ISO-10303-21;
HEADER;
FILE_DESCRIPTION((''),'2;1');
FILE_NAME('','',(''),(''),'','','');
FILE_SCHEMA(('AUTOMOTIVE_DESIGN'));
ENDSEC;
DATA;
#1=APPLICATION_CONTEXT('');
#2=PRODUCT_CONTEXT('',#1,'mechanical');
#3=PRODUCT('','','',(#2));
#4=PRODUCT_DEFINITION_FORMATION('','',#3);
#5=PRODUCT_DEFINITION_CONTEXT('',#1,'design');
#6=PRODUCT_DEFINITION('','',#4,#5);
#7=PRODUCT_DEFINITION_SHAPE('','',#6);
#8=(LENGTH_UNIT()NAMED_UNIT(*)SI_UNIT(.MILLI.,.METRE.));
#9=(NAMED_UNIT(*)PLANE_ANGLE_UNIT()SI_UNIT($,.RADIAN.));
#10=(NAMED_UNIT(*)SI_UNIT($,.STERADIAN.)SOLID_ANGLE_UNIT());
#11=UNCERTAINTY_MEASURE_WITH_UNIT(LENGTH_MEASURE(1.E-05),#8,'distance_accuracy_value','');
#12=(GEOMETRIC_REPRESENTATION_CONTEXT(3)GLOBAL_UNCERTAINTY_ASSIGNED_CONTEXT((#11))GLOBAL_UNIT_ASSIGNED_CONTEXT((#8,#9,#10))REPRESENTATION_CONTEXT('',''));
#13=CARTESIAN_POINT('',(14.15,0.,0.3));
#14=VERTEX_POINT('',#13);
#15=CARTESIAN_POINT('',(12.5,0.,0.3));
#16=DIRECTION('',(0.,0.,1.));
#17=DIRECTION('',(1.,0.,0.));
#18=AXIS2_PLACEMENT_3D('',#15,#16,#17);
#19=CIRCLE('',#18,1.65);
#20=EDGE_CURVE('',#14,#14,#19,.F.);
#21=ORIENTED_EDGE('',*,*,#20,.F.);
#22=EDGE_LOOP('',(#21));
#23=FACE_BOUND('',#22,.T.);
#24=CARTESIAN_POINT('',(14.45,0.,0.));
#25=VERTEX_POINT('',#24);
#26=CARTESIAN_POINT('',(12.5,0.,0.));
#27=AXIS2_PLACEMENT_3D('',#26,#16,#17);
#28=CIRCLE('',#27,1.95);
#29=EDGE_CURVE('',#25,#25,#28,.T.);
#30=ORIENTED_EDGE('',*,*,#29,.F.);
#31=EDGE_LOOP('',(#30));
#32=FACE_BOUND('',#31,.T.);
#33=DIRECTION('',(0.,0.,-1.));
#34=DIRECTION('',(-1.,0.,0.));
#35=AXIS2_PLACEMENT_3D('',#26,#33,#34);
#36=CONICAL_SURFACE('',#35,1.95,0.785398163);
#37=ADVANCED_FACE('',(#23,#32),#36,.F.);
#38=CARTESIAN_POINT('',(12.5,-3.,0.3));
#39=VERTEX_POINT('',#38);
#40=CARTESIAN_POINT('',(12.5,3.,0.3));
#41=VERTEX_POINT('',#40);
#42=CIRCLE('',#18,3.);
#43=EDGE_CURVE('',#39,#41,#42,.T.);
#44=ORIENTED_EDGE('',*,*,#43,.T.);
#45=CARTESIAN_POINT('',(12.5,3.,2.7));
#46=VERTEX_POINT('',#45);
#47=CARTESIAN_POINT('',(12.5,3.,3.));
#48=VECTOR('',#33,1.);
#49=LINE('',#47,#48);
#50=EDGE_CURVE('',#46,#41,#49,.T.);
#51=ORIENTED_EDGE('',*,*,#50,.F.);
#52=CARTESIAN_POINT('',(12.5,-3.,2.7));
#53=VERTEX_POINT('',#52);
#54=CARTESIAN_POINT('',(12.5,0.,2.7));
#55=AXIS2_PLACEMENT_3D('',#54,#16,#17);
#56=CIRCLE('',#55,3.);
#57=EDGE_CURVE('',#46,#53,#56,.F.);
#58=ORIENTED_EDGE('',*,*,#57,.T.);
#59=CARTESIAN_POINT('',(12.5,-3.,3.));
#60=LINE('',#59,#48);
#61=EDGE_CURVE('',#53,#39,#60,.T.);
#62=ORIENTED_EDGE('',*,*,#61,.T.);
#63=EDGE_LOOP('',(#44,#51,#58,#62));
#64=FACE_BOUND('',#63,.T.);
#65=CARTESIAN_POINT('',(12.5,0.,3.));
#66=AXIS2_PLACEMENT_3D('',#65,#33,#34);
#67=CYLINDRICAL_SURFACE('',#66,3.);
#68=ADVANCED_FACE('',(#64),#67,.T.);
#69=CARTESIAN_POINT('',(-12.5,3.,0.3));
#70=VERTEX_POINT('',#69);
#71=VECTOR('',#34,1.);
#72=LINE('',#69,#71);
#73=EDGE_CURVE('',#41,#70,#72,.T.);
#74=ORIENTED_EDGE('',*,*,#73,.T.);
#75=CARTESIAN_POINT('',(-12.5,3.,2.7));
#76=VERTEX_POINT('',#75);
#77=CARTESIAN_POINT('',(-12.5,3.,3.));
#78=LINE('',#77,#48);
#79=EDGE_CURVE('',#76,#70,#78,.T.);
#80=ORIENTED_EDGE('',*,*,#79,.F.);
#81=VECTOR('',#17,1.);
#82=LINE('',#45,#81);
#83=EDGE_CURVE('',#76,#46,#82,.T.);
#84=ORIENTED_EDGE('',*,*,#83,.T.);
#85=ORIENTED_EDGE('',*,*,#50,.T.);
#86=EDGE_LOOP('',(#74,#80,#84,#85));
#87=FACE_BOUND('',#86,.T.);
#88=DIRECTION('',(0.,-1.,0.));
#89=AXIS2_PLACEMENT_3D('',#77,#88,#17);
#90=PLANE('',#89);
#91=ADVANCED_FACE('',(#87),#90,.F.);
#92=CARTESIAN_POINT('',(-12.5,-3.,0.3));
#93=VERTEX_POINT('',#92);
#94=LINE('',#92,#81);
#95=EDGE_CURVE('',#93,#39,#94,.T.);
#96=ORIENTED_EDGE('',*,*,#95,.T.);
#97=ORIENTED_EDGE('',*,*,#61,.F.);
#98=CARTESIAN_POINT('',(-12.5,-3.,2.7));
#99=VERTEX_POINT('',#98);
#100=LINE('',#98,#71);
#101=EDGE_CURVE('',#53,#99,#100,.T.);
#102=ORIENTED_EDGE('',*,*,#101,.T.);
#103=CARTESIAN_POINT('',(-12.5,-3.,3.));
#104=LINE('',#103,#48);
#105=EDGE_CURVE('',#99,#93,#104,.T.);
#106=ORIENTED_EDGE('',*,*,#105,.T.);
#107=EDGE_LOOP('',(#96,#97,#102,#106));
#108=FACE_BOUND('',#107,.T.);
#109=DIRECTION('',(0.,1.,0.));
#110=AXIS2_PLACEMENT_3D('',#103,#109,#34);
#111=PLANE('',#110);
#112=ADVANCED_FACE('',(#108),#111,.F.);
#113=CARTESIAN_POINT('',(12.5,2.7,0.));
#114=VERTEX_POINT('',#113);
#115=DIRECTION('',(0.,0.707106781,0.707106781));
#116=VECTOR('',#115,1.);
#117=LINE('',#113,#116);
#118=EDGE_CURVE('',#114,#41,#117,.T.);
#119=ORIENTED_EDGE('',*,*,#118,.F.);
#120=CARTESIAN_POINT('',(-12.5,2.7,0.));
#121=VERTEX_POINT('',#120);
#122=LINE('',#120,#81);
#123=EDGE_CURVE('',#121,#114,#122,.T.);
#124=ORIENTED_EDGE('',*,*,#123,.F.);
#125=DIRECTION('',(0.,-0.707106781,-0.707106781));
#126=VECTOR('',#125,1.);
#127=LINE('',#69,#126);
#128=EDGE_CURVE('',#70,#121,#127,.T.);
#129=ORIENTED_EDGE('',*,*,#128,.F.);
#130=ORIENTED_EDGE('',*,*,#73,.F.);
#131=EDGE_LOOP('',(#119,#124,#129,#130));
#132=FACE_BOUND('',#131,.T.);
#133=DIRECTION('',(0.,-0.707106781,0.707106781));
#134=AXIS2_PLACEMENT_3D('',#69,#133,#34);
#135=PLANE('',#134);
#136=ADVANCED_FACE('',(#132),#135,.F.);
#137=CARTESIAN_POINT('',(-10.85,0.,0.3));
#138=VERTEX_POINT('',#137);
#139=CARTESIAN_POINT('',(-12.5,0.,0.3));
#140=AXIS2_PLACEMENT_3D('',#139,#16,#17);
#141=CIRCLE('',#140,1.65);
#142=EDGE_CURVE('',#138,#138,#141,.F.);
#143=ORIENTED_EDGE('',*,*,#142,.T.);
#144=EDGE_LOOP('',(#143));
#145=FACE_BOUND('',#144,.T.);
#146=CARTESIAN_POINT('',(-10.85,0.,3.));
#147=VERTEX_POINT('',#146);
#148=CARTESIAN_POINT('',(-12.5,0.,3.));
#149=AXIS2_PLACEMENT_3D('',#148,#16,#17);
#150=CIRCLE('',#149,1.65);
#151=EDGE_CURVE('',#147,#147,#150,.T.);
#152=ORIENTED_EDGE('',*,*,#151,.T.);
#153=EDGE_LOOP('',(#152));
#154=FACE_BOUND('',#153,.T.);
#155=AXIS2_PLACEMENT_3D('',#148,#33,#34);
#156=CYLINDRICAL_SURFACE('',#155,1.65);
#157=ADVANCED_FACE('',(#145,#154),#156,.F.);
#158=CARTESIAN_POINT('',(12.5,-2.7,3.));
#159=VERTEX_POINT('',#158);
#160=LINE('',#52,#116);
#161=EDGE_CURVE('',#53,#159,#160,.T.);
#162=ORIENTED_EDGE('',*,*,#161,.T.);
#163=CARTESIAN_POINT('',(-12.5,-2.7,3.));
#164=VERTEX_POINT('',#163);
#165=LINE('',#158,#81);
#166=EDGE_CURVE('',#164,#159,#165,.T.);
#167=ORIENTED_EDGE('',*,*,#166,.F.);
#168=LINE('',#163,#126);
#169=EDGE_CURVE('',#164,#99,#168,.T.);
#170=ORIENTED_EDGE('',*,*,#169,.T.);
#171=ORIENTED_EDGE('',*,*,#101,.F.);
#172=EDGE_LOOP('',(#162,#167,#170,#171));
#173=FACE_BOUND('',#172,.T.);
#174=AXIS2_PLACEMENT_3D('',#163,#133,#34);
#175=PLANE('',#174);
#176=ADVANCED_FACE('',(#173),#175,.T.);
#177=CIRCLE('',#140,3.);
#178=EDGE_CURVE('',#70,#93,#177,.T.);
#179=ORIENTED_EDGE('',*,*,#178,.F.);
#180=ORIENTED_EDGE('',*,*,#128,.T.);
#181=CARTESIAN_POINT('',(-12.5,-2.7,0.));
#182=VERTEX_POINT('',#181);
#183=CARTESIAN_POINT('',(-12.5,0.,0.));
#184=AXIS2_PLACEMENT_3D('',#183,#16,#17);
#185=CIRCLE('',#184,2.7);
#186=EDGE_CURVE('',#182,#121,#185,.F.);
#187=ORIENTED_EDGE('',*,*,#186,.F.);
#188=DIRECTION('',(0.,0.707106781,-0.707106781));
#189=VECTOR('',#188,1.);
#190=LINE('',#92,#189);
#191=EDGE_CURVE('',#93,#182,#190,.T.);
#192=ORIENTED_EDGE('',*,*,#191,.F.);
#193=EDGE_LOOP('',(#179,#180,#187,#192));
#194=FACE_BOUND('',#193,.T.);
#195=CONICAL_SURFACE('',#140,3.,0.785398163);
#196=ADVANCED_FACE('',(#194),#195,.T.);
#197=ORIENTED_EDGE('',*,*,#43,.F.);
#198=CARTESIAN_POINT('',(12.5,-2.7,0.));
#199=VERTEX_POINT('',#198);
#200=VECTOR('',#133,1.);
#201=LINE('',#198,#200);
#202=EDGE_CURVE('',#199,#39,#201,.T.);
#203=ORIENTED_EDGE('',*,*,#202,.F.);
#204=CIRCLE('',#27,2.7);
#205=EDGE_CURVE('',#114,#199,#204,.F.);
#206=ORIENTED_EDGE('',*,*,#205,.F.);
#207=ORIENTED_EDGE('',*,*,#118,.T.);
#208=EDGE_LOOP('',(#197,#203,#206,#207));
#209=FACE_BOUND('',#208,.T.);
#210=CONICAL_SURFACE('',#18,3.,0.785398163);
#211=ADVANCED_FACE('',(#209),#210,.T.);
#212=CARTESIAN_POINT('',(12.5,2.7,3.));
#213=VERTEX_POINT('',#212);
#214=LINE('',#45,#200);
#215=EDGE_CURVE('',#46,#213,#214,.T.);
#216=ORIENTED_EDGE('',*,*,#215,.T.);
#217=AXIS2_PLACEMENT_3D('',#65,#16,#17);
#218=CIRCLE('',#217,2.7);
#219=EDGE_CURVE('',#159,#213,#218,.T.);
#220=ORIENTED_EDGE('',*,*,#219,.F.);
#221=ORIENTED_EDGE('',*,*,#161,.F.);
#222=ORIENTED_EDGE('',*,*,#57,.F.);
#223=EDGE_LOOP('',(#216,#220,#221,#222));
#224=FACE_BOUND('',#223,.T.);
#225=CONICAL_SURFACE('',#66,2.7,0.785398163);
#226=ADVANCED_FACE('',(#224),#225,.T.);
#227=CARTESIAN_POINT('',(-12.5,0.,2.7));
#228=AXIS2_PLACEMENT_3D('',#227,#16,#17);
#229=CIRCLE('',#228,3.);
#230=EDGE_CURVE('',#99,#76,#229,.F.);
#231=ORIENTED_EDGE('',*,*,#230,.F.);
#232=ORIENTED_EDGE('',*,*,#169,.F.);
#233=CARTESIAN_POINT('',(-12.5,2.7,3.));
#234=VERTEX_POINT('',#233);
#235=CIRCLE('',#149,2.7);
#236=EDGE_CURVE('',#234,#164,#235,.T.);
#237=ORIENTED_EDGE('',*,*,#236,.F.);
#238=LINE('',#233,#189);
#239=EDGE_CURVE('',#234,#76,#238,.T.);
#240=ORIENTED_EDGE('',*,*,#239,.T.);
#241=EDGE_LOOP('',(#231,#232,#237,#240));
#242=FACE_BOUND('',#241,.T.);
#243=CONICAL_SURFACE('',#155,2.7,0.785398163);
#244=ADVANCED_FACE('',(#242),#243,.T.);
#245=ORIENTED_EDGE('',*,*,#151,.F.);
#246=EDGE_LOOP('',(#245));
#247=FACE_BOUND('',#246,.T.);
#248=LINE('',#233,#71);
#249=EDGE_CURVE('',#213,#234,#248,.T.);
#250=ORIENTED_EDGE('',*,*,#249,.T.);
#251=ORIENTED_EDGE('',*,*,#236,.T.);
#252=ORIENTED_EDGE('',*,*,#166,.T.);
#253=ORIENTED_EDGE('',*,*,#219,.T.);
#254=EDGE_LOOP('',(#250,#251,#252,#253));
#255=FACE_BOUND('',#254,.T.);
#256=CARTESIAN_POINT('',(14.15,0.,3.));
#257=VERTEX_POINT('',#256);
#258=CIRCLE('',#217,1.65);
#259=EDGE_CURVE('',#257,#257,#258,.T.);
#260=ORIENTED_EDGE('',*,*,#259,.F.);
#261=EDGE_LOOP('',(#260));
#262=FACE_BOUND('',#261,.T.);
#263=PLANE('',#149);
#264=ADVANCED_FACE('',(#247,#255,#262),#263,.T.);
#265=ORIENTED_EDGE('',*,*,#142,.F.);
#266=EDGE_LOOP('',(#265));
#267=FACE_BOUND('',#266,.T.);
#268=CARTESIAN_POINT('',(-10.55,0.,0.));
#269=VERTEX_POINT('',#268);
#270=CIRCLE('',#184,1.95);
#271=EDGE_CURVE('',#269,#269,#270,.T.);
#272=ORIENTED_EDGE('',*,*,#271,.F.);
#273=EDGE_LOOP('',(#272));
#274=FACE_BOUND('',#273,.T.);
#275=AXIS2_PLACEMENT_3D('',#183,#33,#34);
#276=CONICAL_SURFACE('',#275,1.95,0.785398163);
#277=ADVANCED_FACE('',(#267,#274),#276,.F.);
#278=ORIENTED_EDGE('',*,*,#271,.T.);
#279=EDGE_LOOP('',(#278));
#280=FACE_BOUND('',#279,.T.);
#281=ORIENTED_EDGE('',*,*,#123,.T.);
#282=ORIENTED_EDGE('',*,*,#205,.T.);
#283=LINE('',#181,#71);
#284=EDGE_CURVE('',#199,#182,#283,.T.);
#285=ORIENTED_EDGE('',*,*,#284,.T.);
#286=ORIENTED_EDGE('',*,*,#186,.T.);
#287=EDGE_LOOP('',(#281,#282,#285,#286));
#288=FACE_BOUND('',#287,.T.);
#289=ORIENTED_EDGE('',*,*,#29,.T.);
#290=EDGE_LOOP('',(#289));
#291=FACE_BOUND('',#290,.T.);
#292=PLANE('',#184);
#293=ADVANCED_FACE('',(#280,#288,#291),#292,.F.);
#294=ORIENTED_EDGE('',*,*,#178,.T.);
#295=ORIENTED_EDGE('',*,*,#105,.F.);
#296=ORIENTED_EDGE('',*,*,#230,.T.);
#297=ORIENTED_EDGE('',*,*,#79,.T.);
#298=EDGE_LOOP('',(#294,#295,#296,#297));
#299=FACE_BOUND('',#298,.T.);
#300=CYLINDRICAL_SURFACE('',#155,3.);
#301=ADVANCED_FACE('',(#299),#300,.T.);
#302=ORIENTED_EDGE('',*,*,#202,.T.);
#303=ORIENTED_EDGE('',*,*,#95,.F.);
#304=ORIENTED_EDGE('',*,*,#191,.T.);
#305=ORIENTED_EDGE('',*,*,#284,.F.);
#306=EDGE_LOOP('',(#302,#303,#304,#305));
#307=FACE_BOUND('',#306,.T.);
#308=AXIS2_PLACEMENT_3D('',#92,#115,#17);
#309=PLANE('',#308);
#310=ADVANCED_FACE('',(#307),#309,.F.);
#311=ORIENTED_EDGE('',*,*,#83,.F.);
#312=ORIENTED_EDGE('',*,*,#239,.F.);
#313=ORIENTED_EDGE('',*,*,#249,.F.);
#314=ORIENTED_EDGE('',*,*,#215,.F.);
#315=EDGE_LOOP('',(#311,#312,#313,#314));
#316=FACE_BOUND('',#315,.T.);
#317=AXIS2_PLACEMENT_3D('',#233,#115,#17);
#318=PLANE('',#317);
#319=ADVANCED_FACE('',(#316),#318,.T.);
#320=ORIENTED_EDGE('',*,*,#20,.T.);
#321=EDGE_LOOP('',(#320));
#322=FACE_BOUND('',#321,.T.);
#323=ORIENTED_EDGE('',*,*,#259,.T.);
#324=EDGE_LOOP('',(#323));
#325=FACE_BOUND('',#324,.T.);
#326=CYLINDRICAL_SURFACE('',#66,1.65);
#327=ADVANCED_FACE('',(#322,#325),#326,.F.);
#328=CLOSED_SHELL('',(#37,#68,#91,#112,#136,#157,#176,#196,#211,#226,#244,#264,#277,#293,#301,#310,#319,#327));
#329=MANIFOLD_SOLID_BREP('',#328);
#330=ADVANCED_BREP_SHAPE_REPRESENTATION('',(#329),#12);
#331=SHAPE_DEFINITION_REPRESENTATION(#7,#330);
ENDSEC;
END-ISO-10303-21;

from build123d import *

# Parameters (mm, degrees)
SKETCH_1_R      = 1.65
EXTRUDE_1_DEPTH = 3
CHAMFER_1_SIZE  = 0.3


with BuildPart() as part:
    # 草图1 → 凸台-拉伸1 (new body)
    with BuildSketch(Plane.XY):
        with BuildLine():
            Line((-12.5, 3), (12.5, 3))
            ThreePointArc((12.5, 3), (15.5, 0), (12.5, -3))
            Line((12.5, -3), (-12.5, -3))
            ThreePointArc((-12.5, -3), (-15.5, 0), (-12.5, 3))
        make_face()
        with Locations((-12.5, 0)):
            Circle(SKETCH_1_R, mode=Mode.SUBTRACT)
        with Locations((12.5, 0)):
            Circle(SKETCH_1_R, mode=Mode.SUBTRACT)
    extrude(amount=EXTRUDE_1_DEPTH)

    # 倒角1
    chamfer_1_edges = [part.edges().sort_by_distance(p)[0] for p in [
        (-14.15, 0, 0),
        (15.5, 0, 3),
        (10.85, 0, 0),
        (0, 3, 3),
        (-15.5, 0, 3),
        (0, 3, 0),
        (15.5, 0, 0),
        (0, -3, 0),
        (-15.5, 0, 0),
        (0, -3, 3),
    ]]
    chamfer(chamfer_1_edges, length=CHAMFER_1_SIZE)


solid = part.part
